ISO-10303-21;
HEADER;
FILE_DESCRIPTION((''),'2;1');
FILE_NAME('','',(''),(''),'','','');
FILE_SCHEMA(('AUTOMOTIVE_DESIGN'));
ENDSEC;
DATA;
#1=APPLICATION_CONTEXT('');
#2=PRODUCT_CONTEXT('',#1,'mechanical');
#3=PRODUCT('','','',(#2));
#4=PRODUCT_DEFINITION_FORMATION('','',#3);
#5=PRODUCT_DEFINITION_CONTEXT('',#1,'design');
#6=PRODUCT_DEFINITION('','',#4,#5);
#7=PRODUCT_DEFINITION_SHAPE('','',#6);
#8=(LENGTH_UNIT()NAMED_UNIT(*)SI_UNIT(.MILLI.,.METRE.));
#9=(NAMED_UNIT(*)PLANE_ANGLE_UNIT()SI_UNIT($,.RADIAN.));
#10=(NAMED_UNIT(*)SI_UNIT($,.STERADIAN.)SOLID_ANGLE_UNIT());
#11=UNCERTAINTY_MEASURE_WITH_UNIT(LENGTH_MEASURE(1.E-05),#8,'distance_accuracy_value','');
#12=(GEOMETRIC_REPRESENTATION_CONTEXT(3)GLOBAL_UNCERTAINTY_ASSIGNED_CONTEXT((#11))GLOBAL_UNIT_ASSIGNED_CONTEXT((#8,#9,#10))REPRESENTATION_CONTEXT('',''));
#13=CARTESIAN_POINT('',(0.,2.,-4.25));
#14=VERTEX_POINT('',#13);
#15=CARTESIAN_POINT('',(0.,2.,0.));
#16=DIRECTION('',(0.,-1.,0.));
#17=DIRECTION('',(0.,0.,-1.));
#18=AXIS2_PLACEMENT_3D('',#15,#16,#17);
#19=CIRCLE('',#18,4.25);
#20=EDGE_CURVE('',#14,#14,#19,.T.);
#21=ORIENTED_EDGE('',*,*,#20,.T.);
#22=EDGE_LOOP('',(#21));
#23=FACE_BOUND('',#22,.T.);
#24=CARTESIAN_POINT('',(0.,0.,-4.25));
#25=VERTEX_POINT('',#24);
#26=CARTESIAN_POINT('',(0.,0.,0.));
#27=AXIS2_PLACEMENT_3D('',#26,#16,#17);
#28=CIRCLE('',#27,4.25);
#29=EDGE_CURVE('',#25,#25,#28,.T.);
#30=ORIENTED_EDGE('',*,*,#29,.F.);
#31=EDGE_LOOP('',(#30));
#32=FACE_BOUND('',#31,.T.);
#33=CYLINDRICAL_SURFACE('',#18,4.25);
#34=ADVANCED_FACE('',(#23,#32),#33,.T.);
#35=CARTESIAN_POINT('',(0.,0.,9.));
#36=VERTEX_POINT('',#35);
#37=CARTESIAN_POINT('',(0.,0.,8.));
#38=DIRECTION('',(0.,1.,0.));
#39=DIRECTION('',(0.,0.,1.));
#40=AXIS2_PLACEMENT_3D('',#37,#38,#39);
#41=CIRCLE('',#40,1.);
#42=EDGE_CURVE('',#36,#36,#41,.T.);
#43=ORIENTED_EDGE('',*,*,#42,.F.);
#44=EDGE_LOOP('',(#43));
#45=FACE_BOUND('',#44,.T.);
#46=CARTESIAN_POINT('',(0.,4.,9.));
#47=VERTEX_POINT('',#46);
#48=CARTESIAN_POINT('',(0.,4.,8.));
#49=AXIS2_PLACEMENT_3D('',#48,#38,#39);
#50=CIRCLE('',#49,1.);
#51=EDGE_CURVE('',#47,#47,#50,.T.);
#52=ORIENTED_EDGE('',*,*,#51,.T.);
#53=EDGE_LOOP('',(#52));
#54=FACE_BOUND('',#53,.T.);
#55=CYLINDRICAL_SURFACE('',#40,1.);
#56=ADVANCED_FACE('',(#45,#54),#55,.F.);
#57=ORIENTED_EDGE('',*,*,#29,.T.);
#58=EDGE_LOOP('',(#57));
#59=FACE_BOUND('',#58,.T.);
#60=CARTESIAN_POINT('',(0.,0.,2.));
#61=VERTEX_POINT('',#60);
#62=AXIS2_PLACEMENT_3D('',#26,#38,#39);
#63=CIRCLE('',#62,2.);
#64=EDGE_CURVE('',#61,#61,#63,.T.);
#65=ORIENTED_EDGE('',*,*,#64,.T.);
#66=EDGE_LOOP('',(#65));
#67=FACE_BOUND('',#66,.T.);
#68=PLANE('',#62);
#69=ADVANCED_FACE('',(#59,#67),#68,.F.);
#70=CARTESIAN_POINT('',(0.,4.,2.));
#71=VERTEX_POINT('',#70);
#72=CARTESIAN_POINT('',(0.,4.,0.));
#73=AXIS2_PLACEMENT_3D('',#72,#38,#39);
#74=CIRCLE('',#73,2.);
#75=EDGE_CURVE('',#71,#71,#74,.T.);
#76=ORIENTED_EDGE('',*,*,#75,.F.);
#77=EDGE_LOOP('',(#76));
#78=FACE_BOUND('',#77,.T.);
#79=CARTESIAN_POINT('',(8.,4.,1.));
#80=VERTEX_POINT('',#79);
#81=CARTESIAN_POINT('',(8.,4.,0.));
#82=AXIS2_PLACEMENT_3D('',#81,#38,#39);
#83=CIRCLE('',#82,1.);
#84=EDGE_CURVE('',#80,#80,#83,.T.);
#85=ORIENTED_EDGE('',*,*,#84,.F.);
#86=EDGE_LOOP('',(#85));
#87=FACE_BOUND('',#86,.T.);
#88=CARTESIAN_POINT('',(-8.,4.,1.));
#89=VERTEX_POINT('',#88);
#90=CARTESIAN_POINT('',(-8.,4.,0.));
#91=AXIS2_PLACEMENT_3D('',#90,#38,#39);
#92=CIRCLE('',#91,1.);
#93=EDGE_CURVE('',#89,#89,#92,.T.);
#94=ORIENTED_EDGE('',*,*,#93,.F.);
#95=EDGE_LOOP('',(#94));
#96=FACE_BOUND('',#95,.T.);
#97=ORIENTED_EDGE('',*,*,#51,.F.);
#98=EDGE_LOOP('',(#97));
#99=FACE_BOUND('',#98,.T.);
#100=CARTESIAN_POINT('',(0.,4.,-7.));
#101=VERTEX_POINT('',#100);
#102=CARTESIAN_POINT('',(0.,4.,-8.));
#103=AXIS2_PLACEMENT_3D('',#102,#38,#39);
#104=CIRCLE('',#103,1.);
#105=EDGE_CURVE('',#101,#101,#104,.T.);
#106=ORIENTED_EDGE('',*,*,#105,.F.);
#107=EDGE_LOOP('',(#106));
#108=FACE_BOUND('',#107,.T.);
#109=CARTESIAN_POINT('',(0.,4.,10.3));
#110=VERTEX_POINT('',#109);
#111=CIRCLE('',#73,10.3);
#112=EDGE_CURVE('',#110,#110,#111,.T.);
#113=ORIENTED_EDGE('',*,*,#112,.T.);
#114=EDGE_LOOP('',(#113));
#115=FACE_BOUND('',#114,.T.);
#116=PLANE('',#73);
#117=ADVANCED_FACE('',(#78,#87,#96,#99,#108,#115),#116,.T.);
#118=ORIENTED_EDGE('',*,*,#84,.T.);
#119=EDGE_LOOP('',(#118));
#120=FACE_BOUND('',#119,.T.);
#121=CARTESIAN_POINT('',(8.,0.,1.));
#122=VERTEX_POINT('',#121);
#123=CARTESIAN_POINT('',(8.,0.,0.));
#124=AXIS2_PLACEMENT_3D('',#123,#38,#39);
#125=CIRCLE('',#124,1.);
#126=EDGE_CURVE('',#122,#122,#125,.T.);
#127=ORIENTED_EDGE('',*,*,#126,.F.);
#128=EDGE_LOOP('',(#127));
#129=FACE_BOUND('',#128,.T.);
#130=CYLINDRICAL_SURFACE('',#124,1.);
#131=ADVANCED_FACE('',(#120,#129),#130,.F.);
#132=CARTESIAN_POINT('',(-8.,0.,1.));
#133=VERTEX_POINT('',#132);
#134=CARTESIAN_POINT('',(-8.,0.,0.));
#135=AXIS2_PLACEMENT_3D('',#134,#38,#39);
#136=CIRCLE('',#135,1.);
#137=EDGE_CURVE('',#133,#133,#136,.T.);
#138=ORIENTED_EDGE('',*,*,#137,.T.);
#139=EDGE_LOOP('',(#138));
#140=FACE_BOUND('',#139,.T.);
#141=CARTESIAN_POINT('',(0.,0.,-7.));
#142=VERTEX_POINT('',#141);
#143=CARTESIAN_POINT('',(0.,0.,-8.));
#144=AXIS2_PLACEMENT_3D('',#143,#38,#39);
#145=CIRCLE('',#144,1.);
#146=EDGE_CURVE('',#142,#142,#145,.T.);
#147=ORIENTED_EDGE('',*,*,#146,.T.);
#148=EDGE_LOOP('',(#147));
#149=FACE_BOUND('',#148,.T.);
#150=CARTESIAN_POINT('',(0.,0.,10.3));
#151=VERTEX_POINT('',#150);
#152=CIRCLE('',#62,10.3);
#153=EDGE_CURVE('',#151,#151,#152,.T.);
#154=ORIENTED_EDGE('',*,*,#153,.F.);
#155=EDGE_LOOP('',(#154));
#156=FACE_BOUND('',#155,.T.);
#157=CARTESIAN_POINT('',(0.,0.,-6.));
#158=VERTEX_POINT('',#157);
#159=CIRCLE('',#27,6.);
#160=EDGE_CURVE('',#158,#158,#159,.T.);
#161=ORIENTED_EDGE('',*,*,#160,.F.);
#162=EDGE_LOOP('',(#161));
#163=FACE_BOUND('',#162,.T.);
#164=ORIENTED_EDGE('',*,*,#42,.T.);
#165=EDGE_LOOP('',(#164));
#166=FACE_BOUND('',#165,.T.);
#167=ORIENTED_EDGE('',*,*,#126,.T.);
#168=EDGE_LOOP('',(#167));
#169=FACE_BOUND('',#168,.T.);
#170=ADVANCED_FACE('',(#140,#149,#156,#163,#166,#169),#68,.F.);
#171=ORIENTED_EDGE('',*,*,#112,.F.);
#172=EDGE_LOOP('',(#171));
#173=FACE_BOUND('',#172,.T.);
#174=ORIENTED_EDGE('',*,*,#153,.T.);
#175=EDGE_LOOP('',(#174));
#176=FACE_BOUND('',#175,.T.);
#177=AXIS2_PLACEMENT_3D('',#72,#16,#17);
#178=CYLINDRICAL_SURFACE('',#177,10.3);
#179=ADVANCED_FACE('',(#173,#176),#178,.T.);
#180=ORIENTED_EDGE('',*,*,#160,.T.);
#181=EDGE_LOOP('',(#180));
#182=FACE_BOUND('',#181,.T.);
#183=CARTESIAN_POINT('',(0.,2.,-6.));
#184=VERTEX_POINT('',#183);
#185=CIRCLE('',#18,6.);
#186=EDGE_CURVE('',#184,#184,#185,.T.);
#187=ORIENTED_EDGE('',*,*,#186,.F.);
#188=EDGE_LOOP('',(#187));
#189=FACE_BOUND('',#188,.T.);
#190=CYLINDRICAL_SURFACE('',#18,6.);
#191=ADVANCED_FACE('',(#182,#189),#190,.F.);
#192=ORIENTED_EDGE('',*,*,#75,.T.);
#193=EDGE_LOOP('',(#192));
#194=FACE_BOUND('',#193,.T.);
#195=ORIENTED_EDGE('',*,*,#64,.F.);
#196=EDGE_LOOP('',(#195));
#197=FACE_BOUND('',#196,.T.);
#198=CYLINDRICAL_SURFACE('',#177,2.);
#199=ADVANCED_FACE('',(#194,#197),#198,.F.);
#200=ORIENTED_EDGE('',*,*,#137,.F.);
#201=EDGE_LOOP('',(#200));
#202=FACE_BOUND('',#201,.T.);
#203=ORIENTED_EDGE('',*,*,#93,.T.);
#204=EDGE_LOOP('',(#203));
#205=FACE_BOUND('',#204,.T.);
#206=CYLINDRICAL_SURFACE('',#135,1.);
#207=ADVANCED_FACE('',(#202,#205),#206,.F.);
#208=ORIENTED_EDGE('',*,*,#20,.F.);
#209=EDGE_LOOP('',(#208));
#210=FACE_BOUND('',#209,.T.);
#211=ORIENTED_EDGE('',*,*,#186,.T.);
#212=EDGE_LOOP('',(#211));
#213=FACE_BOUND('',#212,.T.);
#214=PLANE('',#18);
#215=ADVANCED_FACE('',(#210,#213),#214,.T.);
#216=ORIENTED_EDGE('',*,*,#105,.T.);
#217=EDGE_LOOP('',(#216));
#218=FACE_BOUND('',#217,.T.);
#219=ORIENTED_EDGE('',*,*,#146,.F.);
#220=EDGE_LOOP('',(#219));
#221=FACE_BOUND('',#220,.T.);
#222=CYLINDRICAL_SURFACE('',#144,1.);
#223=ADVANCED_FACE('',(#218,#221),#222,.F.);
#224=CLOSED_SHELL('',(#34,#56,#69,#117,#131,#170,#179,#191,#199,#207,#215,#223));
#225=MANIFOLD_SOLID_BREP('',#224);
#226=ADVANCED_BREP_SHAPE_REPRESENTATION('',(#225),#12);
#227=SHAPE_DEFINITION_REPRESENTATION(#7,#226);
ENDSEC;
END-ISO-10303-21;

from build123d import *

# Parameters (mm, degrees)
SKETCH1_R           = 10.3
SKETCH1_R_2         = 2
BOSS_EXTRUDE1_DEPTH = 4
SKETCH2_R           = 1
CUT_EXTRUDE1_DEPTH  = 4
SKETCH3_R           = 6
SKETCH3_R_2         = 4.25
CUT_EXTRUDE2_DEPTH  = 2


with BuildPart() as part:
    # Sketch1 → Boss-Extrude1 (new body)
    with BuildSketch(Plane(origin=(0, 0, 0), x_dir=(1, 0, 0), z_dir=(0, 1, 0))):
        with Locations(Location((0, 0, 0), (0, 0, 270))):
            Circle(SKETCH1_R)
        with Locations(Location((0, 0, 0), (0, 0, 270))):
            Circle(SKETCH1_R_2, mode=Mode.SUBTRACT)
    extrude(amount=BOSS_EXTRUDE1_DEPTH)

    # Sketch2 → Cut-Extrude1 (cut)
    with BuildSketch(Plane(origin=(0, 4, 0), x_dir=(-1, 0, 0), z_dir=(0, 1, 0))):
        with Locations(Location((0, -8, 0), (0, 0, 90))):
            Circle(SKETCH2_R)
        with Locations(Location((8, 0, 0), (0, 0, 90))):
            Circle(SKETCH2_R)
        with Locations(Location((-8, 0, 0), (0, 0, 90))):
            Circle(SKETCH2_R)
        with Locations(Location((0, 8, 0), (0, 0, 90))):
            Circle(SKETCH2_R)
    extrude(amount=-CUT_EXTRUDE1_DEPTH, mode=Mode.SUBTRACT)

    # Sketch3 → Cut-Extrude2 (cut)
    with BuildSketch(Plane.XZ):
        with Locations(Location((0, 0, 0), (0, 0, 270))):
            Circle(SKETCH3_R)
        with Locations(Location((0, 0, 0), (0, 0, 270))):
            Circle(SKETCH3_R_2, mode=Mode.SUBTRACT)
    extrude(amount=-CUT_EXTRUDE2_DEPTH, mode=Mode.SUBTRACT)


solid = part.part
